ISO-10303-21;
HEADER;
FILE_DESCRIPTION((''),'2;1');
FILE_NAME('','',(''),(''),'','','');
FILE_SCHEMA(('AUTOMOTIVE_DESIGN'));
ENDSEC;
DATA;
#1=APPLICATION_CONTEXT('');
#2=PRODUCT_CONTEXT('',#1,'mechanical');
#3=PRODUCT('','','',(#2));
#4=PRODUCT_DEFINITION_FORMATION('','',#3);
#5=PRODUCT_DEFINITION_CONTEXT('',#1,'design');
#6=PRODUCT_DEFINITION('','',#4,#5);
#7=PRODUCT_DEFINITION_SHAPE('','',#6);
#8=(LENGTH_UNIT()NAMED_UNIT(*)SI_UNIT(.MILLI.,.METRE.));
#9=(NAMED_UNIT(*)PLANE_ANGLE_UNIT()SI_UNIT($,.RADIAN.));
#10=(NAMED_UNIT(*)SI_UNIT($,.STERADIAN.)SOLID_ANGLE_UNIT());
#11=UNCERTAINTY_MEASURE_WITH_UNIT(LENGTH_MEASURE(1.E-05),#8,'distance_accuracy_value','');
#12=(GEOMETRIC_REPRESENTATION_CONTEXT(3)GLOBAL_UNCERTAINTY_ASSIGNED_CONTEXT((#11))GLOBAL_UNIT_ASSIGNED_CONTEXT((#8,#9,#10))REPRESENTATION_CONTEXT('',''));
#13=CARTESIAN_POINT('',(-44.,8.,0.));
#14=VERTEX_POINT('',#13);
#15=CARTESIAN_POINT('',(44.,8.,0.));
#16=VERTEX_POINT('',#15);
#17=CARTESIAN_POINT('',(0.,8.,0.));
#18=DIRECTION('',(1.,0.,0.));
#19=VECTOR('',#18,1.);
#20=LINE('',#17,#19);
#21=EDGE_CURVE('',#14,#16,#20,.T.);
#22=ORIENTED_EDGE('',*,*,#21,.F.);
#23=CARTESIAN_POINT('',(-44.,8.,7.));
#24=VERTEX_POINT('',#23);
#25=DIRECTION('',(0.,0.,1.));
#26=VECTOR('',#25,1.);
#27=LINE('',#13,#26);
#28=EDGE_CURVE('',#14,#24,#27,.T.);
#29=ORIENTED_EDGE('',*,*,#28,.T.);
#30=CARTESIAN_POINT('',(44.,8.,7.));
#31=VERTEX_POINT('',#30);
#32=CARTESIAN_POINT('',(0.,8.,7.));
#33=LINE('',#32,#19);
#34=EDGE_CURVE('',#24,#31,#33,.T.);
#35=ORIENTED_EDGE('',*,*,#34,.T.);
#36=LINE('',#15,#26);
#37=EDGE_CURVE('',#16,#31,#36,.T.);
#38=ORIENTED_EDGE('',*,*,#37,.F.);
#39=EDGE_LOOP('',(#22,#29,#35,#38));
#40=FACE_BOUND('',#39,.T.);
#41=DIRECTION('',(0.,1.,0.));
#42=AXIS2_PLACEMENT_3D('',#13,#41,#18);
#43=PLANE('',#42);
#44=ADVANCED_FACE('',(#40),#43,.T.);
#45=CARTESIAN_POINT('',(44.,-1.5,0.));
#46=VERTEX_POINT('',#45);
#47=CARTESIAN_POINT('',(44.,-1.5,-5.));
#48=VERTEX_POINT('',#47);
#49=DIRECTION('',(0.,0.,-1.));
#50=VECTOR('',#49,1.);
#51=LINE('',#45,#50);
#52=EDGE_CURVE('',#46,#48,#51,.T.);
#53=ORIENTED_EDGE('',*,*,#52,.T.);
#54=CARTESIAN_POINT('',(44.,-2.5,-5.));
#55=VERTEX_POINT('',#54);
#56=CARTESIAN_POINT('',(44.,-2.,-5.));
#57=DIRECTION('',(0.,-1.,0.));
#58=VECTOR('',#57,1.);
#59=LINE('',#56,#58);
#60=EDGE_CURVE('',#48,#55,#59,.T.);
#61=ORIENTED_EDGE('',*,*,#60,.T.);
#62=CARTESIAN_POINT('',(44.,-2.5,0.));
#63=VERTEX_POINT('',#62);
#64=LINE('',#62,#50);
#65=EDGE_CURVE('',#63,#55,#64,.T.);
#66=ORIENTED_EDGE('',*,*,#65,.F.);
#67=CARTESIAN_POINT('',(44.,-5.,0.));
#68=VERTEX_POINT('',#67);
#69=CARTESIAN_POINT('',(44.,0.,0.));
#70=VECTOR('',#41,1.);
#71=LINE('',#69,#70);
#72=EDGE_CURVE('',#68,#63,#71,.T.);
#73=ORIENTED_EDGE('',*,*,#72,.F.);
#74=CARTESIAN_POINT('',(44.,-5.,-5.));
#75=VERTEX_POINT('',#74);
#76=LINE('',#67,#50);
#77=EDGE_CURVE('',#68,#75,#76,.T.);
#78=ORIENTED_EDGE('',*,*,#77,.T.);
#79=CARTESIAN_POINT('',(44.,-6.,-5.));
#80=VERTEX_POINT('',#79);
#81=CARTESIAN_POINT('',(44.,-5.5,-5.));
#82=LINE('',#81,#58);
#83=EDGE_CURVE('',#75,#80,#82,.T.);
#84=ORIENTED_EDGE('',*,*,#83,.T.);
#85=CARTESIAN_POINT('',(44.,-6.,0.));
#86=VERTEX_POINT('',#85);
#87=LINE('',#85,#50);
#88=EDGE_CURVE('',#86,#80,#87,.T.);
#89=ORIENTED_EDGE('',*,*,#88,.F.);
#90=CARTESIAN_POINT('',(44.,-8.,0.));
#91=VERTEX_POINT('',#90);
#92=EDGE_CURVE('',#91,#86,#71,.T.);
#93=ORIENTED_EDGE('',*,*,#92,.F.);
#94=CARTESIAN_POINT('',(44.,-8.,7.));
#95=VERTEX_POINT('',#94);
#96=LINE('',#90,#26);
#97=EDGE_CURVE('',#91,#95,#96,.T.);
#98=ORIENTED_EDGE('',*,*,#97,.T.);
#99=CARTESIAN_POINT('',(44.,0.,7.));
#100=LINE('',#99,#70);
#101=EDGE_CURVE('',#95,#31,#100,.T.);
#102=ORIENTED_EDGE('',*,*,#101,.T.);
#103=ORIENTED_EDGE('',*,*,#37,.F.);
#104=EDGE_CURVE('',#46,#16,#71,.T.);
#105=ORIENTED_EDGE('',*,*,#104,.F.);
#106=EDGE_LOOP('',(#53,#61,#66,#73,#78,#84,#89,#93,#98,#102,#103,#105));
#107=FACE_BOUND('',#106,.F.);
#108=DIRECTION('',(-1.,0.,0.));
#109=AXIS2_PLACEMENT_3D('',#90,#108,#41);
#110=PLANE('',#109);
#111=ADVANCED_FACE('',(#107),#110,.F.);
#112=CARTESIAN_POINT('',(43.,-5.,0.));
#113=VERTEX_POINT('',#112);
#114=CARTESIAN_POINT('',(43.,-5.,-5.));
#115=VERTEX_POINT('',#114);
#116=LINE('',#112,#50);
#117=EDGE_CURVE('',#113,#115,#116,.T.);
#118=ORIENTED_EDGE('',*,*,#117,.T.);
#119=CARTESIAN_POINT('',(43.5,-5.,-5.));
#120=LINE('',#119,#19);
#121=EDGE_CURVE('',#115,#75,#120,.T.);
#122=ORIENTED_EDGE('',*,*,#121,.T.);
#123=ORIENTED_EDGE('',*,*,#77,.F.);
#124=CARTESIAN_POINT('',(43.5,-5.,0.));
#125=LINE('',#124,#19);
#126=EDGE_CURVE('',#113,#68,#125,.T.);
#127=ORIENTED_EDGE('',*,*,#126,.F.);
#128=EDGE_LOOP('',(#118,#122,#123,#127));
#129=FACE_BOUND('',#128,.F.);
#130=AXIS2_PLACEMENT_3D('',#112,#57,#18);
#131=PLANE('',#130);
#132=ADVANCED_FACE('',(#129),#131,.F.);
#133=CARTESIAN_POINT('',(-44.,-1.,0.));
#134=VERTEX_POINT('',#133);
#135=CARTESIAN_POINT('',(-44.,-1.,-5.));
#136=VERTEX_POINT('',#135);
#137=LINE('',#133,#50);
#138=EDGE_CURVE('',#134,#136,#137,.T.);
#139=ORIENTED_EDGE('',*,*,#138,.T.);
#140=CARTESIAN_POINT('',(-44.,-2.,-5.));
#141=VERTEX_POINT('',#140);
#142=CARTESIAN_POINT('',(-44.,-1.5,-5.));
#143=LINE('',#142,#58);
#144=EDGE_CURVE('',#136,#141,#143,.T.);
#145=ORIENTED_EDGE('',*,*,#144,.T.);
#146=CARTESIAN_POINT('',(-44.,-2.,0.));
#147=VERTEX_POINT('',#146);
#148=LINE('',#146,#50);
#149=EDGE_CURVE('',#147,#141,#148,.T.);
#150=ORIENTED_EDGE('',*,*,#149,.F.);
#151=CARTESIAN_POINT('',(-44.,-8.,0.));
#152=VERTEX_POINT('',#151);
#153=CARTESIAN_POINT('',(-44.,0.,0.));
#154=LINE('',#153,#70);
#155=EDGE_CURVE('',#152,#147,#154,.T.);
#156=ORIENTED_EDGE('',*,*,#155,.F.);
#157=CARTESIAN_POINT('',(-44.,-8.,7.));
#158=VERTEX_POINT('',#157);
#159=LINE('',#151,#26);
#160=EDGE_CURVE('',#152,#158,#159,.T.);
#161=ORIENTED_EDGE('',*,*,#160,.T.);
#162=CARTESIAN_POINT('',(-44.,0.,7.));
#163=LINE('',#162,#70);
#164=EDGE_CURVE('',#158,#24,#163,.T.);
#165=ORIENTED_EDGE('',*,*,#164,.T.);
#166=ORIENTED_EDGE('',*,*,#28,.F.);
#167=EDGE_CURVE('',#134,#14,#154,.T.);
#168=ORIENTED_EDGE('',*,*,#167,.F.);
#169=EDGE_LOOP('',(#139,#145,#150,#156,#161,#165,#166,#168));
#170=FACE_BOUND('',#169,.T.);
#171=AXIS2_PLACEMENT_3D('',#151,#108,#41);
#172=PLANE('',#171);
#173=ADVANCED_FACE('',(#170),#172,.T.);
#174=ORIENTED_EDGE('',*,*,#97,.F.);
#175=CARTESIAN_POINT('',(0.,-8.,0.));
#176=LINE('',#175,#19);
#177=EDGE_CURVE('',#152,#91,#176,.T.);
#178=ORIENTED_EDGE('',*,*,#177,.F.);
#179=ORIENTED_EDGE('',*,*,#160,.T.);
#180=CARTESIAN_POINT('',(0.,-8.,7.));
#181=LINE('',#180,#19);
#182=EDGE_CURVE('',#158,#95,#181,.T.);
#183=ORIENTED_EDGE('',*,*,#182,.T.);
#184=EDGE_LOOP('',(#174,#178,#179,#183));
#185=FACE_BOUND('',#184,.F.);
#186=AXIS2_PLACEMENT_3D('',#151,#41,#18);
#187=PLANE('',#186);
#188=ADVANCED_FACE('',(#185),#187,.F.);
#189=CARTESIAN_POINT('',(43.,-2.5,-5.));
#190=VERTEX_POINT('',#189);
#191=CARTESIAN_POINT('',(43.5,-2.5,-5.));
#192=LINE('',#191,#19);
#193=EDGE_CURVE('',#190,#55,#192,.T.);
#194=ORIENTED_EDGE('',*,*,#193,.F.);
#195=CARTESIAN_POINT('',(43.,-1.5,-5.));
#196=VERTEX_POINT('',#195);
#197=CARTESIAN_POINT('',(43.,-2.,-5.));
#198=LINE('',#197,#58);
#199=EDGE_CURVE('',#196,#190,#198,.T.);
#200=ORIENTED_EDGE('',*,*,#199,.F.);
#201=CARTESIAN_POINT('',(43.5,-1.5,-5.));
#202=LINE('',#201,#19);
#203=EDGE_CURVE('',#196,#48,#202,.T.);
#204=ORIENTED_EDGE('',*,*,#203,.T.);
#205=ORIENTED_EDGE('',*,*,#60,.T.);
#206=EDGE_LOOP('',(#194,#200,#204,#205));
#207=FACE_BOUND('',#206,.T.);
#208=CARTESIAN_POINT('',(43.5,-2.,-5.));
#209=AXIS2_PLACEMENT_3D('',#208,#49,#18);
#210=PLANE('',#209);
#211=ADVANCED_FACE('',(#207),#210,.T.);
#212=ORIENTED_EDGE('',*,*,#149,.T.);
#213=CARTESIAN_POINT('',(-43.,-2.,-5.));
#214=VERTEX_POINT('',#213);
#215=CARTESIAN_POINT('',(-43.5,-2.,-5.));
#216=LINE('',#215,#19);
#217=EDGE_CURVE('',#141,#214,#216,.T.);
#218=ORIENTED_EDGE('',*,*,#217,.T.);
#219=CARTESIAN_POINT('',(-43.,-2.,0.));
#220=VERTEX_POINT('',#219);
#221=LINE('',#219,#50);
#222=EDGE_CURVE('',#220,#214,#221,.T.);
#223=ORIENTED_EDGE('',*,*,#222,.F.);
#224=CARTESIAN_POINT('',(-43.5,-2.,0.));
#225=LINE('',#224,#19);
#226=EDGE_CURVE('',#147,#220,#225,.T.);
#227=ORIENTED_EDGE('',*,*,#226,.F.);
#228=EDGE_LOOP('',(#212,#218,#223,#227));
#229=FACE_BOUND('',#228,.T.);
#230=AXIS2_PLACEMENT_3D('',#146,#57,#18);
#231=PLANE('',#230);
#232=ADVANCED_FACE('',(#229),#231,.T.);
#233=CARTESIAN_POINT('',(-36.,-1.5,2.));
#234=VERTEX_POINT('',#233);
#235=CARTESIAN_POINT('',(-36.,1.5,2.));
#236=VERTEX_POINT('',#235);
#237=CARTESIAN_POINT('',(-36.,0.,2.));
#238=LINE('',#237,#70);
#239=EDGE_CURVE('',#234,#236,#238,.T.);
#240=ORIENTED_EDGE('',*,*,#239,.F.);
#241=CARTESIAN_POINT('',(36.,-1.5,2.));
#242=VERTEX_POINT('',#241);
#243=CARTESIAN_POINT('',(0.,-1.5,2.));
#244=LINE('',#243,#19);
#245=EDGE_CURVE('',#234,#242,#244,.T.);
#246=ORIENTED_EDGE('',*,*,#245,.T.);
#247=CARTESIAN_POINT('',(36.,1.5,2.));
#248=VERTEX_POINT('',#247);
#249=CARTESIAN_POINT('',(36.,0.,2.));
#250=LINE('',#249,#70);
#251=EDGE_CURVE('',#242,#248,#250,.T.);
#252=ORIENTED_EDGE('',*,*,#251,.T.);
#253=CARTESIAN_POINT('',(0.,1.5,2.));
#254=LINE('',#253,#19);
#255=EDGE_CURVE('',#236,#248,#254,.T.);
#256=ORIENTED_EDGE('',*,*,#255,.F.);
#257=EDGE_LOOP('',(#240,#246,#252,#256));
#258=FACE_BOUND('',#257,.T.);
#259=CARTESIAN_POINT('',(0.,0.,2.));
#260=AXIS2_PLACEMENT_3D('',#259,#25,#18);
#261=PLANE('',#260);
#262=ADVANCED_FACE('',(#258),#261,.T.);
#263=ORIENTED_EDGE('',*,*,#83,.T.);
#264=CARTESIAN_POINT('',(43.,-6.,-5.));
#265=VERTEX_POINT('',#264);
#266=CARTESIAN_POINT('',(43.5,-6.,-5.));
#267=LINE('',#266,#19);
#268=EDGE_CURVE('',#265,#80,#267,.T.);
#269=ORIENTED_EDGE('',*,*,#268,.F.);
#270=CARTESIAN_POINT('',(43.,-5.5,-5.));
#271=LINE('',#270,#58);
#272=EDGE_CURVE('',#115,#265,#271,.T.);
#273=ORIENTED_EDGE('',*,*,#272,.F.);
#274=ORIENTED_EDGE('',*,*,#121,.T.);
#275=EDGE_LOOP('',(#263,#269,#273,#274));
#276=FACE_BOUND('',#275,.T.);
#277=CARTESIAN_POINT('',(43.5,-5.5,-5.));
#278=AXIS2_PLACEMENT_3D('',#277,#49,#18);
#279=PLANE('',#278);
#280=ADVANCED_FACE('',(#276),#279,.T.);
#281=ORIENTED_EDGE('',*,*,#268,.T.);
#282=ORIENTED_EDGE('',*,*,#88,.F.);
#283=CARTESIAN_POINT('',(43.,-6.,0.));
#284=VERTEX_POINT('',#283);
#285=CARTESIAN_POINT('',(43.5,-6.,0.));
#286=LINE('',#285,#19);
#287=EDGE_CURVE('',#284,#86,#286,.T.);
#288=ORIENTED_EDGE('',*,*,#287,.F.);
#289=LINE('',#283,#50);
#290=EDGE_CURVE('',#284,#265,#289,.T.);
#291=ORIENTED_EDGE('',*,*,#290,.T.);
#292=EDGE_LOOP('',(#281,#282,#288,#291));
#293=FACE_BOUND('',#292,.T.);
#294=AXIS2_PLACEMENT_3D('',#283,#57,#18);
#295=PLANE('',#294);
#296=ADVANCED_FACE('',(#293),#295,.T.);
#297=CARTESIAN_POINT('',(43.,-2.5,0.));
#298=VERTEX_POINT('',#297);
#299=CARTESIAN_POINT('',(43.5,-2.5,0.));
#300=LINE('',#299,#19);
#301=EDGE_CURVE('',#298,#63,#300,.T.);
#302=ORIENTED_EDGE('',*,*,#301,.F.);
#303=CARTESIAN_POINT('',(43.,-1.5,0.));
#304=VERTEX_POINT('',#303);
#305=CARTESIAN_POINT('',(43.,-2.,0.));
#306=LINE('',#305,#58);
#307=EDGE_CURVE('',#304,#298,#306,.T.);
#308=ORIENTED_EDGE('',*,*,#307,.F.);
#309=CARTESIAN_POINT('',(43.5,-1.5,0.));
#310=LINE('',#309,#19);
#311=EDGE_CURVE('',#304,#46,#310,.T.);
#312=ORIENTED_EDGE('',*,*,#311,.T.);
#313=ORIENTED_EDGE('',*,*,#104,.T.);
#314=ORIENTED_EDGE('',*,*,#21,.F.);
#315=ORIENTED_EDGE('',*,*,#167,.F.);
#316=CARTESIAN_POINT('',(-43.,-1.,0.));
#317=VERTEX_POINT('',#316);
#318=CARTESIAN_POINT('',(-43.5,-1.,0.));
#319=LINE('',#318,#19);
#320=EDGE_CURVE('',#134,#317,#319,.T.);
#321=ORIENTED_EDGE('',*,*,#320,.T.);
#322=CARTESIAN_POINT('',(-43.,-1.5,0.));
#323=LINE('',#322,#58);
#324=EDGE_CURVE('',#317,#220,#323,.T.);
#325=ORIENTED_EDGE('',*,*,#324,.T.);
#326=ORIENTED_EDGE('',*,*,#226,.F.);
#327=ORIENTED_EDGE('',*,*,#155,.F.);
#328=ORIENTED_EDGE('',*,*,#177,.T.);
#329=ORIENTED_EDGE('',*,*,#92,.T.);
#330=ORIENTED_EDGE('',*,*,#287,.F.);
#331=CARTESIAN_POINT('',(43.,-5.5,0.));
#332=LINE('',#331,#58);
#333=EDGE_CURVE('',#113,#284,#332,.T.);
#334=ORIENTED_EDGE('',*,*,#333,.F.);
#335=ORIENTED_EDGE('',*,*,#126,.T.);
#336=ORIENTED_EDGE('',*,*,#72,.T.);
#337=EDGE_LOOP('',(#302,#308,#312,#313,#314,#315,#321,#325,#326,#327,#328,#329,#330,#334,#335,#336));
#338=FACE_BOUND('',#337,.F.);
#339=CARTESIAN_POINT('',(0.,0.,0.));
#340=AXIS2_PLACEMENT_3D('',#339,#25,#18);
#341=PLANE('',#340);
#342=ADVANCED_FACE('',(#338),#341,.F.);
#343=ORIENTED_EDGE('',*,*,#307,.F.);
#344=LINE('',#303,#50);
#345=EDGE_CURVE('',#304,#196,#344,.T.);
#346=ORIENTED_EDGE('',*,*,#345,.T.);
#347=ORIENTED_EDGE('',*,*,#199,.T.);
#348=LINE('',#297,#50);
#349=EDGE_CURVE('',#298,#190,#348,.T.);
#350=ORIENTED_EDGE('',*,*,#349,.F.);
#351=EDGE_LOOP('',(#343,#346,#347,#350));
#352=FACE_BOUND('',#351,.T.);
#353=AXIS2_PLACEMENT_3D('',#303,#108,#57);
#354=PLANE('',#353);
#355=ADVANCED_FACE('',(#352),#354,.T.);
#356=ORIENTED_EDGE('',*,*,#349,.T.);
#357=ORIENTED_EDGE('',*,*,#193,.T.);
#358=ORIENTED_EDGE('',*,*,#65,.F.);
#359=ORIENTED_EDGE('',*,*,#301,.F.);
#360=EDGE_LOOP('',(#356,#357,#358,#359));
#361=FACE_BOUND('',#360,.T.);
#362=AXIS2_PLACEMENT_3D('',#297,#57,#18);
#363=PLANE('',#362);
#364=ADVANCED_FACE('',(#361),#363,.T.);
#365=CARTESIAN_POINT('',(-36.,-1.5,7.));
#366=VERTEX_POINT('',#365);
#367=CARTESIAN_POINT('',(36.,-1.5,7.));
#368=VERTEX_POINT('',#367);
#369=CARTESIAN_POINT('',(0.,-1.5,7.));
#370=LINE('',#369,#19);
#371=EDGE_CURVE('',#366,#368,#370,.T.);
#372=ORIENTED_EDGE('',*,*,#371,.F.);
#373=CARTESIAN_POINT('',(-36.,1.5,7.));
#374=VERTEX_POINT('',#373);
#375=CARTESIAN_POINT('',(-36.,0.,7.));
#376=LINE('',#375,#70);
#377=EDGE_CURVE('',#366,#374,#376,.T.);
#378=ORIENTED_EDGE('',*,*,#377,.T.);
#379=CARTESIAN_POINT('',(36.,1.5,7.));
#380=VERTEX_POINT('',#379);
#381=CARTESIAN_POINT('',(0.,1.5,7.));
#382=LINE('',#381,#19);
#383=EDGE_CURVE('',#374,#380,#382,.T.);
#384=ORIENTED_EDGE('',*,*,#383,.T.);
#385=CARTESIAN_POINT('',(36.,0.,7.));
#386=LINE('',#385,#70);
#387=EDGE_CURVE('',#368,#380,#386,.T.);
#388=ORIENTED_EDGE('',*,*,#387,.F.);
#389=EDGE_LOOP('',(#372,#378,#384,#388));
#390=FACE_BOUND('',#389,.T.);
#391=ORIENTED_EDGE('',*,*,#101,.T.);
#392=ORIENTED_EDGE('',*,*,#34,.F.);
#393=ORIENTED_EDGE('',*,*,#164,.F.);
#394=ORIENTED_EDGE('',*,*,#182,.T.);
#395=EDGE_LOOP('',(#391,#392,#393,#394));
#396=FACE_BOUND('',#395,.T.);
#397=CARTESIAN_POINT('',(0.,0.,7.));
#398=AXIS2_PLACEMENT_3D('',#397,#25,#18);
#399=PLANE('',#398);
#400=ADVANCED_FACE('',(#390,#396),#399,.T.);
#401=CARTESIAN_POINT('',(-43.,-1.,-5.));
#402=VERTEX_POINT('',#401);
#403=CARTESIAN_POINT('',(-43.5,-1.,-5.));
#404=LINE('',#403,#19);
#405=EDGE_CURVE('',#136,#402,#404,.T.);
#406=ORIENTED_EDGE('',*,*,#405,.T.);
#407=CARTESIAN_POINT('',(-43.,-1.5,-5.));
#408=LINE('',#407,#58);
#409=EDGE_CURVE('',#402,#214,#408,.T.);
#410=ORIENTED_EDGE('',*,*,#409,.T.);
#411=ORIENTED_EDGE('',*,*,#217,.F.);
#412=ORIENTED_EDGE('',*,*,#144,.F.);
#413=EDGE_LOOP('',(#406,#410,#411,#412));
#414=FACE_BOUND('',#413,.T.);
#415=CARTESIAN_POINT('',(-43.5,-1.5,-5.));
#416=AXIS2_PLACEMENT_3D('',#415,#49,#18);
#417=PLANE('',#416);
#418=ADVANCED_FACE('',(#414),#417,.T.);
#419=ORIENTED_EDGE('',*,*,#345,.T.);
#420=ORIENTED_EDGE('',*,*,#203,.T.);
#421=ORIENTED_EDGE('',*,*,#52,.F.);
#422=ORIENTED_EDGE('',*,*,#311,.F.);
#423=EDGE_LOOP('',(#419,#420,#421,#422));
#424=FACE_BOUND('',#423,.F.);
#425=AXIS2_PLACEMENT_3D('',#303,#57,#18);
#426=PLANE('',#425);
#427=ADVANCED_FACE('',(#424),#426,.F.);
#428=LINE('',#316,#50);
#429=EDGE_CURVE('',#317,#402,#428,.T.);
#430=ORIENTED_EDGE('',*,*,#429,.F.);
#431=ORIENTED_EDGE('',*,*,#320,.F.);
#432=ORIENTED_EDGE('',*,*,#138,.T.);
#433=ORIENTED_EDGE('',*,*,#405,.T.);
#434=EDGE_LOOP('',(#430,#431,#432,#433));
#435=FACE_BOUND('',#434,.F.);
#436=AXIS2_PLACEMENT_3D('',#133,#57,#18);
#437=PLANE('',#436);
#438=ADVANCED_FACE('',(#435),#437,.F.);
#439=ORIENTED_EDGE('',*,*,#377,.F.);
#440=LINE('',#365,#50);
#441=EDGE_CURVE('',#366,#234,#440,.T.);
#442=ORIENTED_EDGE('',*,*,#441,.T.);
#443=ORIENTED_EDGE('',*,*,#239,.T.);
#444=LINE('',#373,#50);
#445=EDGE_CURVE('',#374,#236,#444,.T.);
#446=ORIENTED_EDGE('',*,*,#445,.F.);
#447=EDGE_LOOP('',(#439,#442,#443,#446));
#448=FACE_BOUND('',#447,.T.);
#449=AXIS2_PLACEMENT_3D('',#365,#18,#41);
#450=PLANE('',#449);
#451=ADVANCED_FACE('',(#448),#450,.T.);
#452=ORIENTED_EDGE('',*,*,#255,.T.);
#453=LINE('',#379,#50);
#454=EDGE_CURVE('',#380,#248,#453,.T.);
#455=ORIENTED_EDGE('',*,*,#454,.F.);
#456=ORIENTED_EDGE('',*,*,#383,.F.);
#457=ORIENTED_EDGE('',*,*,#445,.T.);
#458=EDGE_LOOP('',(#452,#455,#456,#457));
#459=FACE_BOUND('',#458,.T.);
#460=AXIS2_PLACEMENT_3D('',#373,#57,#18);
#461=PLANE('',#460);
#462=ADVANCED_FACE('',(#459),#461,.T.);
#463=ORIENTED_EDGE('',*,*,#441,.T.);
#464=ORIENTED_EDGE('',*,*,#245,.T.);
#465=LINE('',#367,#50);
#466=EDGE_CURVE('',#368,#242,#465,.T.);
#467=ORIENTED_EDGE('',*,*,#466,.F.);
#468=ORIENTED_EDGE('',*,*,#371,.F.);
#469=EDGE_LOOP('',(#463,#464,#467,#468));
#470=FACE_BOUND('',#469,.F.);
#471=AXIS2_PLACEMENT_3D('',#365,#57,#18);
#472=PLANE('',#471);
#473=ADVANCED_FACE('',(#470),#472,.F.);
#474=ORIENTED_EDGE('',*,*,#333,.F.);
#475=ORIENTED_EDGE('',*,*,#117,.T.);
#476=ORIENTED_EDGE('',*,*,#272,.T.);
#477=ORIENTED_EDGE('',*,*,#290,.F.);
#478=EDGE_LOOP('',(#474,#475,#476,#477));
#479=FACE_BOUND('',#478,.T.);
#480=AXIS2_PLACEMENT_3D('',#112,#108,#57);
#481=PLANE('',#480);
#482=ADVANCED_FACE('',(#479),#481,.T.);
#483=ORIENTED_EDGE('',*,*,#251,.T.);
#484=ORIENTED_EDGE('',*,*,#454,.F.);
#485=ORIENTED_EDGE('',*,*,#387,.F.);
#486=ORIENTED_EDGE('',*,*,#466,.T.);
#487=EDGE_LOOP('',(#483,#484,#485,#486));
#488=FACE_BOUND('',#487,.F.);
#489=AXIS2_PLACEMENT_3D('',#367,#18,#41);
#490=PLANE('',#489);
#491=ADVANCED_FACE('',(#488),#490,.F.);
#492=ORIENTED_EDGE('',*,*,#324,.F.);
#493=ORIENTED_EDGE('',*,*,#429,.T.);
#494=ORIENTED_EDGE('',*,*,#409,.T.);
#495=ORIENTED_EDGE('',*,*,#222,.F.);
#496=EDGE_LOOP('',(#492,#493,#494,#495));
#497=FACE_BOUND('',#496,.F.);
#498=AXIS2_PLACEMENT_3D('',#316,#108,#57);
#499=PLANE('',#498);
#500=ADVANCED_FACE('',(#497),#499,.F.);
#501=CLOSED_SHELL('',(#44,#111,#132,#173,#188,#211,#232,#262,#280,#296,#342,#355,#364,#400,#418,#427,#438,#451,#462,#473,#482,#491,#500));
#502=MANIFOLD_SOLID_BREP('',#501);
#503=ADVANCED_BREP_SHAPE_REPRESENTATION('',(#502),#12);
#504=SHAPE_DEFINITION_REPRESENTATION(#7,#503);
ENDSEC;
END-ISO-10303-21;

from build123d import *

# Parameters (mm, degrees)
F0_W     = 88
F0_H     = 16
F1_DEPTH = 7
F2_W     = 72
F2_H     = 3
F3_DEPTH = 5
F4_W     = 1
F4_H     = 1
F5_DEPTH = 5


with BuildPart() as f1:
    # F0 (on Top) → F1 (new body)
    with BuildSketch(Plane.XY):
        Rectangle(F0_W, F0_H)
    extrude(amount=F1_DEPTH)

    # F2 (on face) → F3 (cut)
    with BuildSketch(Plane.XY.offset(7)):
        Rectangle(F2_W, F2_H)
    extrude(amount=-F3_DEPTH, mode=Mode.SUBTRACT)

    # F4 (on face) → F5 (join)
    with BuildSketch(Plane(origin=(0, 0, 0), x_dir=(1, 0, 0), z_dir=(0, 0, -1))):
        with Locations((-43.5, 1.5)):
            Rectangle(F4_W, F4_H)
        with Locations((43.5, 5.5)):
            Rectangle(F4_W, F4_H)
        with Locations((43.5, 2)):
            Rectangle(F4_W, F4_H)
    extrude(amount=F5_DEPTH)


solid = f1.part
